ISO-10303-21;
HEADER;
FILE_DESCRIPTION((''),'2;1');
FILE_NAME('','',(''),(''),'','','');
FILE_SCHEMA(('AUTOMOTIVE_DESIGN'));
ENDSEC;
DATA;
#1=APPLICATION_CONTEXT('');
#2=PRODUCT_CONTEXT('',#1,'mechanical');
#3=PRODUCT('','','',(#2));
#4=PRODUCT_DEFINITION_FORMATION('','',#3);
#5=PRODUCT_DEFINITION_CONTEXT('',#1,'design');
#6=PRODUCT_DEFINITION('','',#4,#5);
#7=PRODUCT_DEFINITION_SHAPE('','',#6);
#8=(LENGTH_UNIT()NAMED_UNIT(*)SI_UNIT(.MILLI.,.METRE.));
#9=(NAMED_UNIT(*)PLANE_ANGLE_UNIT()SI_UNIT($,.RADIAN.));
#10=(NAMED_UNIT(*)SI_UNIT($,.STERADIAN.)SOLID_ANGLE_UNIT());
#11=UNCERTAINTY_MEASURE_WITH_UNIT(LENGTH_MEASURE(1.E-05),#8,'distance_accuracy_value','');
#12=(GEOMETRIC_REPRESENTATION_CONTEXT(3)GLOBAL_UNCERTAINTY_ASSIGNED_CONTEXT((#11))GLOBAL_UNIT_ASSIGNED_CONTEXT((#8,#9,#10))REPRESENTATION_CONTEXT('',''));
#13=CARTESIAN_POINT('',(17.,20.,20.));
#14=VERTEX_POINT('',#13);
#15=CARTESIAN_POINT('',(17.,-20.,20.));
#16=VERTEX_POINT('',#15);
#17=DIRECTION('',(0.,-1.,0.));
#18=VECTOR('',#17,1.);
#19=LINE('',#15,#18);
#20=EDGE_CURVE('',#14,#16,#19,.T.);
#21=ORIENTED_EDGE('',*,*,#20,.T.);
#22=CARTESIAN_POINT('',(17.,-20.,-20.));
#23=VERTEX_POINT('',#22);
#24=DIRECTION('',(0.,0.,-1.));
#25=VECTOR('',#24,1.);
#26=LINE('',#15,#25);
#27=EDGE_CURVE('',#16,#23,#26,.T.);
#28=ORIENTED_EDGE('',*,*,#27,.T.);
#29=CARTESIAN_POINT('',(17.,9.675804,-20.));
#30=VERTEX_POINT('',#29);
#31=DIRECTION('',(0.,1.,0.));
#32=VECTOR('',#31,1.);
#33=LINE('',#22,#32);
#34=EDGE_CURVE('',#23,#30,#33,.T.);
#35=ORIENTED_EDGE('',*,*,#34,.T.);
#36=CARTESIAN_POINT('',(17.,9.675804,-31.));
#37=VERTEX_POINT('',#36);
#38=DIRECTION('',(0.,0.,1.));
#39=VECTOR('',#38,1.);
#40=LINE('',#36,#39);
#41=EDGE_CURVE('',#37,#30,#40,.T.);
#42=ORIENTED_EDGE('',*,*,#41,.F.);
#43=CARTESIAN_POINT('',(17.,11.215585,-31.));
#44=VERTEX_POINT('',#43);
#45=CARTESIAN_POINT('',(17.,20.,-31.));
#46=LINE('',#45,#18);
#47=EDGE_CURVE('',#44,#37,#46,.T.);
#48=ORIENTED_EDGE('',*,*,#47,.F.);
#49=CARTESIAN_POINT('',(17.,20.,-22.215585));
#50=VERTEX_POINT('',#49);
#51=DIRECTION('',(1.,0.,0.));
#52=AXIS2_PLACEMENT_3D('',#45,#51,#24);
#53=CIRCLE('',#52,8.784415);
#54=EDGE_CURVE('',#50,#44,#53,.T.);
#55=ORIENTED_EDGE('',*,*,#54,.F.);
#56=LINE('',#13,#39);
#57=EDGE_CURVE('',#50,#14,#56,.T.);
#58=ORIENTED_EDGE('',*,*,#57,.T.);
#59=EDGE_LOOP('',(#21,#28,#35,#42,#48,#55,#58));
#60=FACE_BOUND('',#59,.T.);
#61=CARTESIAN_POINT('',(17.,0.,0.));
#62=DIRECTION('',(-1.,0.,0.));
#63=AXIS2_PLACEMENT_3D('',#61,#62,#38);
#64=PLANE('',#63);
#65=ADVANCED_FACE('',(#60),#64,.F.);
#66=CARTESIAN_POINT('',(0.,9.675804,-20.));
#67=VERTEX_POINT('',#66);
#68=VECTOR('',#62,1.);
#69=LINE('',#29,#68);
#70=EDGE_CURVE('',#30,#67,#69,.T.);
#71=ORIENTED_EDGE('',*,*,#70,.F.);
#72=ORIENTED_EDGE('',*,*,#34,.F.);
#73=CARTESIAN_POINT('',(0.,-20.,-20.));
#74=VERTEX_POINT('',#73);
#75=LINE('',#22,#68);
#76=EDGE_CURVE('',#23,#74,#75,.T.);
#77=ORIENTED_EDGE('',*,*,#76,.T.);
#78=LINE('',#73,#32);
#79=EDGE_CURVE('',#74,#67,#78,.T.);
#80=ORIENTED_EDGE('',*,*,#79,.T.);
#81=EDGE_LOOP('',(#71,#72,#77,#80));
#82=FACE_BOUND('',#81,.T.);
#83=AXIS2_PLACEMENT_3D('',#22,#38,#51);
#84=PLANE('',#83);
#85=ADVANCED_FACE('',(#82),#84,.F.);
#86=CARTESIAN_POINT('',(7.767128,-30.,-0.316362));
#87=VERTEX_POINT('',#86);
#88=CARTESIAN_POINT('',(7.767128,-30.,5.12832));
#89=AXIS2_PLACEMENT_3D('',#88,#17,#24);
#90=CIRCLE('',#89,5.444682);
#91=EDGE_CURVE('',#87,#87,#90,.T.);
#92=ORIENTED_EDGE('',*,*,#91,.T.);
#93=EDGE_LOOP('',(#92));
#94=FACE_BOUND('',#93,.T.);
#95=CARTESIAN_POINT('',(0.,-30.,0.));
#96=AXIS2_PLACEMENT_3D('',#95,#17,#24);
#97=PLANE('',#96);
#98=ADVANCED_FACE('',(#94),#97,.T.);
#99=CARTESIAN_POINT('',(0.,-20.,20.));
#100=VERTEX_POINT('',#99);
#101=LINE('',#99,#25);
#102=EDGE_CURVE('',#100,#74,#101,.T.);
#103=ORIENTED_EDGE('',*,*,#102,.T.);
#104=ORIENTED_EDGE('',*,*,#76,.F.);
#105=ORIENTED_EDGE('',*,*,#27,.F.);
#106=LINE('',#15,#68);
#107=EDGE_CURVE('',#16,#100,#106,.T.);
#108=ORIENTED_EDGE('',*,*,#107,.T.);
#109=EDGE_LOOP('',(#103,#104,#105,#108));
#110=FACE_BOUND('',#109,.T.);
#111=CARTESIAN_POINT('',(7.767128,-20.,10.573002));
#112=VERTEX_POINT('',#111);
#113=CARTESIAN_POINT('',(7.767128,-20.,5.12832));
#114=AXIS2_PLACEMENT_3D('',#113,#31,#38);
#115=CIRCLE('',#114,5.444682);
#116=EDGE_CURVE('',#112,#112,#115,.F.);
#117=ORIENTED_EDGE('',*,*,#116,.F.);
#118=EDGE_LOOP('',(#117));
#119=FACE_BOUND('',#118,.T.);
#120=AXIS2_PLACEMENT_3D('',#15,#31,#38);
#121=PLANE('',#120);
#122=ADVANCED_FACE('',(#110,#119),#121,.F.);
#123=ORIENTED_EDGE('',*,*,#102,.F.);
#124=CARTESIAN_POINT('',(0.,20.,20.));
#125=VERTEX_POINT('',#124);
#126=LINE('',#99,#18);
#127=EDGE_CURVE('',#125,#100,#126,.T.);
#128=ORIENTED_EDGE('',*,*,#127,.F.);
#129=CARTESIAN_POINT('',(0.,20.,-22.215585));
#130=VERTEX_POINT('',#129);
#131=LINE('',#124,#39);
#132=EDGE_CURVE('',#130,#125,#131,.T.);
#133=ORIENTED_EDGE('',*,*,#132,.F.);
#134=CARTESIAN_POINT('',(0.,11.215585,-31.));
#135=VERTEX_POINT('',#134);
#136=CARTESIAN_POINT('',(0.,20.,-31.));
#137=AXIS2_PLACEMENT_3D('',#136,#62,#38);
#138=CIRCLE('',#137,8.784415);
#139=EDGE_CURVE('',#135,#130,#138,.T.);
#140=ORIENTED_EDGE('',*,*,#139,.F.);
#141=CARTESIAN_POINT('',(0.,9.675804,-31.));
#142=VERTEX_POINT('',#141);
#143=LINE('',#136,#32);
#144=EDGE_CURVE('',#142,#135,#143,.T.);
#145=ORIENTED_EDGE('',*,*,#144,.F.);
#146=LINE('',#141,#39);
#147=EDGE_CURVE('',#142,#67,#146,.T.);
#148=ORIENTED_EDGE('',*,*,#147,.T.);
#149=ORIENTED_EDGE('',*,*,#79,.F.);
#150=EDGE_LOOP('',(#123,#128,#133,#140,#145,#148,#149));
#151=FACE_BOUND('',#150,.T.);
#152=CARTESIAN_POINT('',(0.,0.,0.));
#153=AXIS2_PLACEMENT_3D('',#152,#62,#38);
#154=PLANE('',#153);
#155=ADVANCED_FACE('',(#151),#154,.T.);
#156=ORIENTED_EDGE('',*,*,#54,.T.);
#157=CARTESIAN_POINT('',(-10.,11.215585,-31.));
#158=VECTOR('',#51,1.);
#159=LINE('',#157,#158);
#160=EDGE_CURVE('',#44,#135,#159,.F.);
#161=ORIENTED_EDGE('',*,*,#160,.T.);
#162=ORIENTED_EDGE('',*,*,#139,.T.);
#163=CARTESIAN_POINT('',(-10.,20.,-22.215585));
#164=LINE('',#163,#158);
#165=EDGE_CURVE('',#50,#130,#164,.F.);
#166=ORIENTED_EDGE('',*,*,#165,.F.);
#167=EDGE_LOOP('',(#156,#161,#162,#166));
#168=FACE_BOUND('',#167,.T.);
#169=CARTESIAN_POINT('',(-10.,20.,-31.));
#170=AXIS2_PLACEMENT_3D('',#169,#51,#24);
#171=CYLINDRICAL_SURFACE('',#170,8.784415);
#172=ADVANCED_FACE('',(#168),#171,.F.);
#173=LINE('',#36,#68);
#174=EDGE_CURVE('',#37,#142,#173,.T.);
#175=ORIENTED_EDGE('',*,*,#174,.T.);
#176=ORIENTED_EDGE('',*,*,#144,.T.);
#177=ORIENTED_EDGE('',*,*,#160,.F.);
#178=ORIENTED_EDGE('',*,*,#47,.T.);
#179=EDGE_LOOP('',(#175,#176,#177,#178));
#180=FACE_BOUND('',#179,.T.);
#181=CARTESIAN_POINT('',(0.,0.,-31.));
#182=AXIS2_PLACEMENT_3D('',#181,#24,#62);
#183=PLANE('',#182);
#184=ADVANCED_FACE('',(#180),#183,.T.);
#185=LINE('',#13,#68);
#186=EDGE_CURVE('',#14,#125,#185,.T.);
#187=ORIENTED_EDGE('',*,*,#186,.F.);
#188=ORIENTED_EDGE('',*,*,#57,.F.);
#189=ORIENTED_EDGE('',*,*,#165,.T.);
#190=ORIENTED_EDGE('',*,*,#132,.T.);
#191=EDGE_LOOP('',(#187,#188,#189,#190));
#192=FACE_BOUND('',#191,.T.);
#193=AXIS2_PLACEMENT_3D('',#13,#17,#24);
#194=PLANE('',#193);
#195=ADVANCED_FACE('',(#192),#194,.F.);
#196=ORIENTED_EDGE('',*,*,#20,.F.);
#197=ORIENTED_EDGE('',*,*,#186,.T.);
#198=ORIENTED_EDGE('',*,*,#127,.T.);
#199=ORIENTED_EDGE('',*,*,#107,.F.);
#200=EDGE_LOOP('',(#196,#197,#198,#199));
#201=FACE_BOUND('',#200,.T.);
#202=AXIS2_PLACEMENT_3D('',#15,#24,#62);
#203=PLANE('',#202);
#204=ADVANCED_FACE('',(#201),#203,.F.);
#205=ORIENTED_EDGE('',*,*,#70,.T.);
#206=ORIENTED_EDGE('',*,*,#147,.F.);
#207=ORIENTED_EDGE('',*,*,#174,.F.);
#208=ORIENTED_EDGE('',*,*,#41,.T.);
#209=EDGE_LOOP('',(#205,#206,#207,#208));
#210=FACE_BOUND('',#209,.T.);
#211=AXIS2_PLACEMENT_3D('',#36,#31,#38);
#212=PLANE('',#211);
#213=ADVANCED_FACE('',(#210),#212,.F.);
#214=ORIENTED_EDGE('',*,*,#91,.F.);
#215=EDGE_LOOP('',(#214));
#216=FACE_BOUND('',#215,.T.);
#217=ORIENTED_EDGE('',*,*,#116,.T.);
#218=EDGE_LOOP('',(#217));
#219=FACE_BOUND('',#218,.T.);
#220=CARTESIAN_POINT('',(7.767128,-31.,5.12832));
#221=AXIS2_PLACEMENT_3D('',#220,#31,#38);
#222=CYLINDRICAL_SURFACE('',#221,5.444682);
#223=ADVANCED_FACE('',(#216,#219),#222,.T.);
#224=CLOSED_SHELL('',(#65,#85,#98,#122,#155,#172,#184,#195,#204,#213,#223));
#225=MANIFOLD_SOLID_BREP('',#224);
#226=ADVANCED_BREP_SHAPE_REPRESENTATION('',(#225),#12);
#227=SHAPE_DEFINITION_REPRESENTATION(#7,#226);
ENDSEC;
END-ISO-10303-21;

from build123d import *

# Parameters (mm, degrees)
SKETCH_1_W          = 40
SKETCH_1_H          = 40
EXTRUDE_1_DEPTH     = 17
SKETCH_2_W          = 39
SKETCH_2_H          = 39
EXTRUDE_2_DEPTH     = 11
SKETCH_3_W          = 2
SKETCH_3_H          = 39
CUT_EXTRUDE_1_DEPTH = 9
EXTRUDE_3_DEPTH     = 11
SKETCH_5_R          = 5.444681892
EXTRUDE_4_DEPTH     = 11
SKETCH_6_W          = 25
SKETCH_6_H          = 17.382728094
EXTRUDE_5_DEPTH     = 11
SKETCH_7_R          = 4.5
EXTRUDE_6_DEPTH     = 11
EXTRUDE_6_TAPER     = 17
SKETCH_8_W          = 17
SKETCH_8_H          = 10.324195756
EXTRUDE_7_DEPTH     = 11
SKETCH_9_R          = 8.784415214
CUT_EXTRUDE_2_DEPTH = 27
CUT_EXTRUDE_START   = 10
SKETCH_10_W         = 58.477636184
SKETCH_10_H         = 70.793077964
CUT_EXTRUDE_3_DEPTH = 47
SKETCH_11_W         = 62.750592471
SKETCH_11_H         = 80.218393182
CUT_EXTRUDE_4_DEPTH = 22


with BuildPart() as part:
    # Эскиз1 → Бобышка-Вытянуть1 (new body)
    with BuildSketch(Plane(origin=(0, 0, 0), x_dir=(0, 0, -1), z_dir=(1, 0, 0))):
        Rectangle(SKETCH_1_W, SKETCH_1_H)
    extrude(amount=EXTRUDE_1_DEPTH)

    # Эскиз2 → Бобышка-Вытянуть2 (add)
    with BuildSketch(Plane(origin=(17, 0, 0), x_dir=(0, 0, -1), z_dir=(1, 0, 0))):
        Rectangle(SKETCH_2_W, SKETCH_2_H)
    extrude(amount=EXTRUDE_2_DEPTH)

    # Эскиз3 → Вырез-Вытянуть1 (cut)
    with BuildSketch(Plane(origin=(28, 0, 0), x_dir=(0, 0, -1), z_dir=(1, 0, 0))):
        with Locations((-16, 0)):
            Rectangle(SKETCH_3_W, SKETCH_3_H)
        with Locations((-12, 0)):
            Rectangle(SKETCH_3_W, SKETCH_3_H)
        with Locations((-8, 0)):
            Rectangle(SKETCH_3_W, SKETCH_3_H)
        with Locations((-4, 0)):
            Rectangle(SKETCH_3_W, SKETCH_3_H)
        Rectangle(SKETCH_3_W, SKETCH_3_H)
        with Locations((4, 0)):
            Rectangle(SKETCH_3_W, SKETCH_3_H)
        with Locations((8, 0)):
            Rectangle(SKETCH_3_W, SKETCH_3_H)
        with Locations((12, 0)):
            Rectangle(SKETCH_3_W, SKETCH_3_H)
        with Locations((16, 0)):
            Rectangle(SKETCH_3_W, SKETCH_3_H)
    extrude(amount=-CUT_EXTRUDE_1_DEPTH, mode=Mode.SUBTRACT)

    # Эскиз4 → Бобышка-Вытянуть3 (add)
    with BuildSketch(Plane(origin=(28, 0, 0), x_dir=(0, 0, -1), z_dir=(1, 0, 0))):
        with BuildLine():
            Line((13.94108797, 18.534083609), (-13.965803425, 18.534083609))
            ThreePointArc((-13.965803425, 18.534083609), (-17.501337331, 17.069617515), (-18.965803425, 13.534083609))
            Line((-18.965803425, 13.534083609), (-18.965803425, -13.794341936))
            ThreePointArc((-18.965803425, -13.794341936), (-17.501337331, -17.329875842), (-13.965803425, -18.794341936))
            Line((-13.965803425, -18.794341936), (13.94108797, -18.794341936))
            ThreePointArc((13.94108797, -18.794341936), (17.476621876, -17.329875842), (18.94108797, -13.794341936))
            Line((18.94108797, -13.794341936), (18.94108797, 13.534083609))
            ThreePointArc((18.94108797, 13.534083609), (17.476621876, 17.069617515), (13.94108797, 18.534083609))
        make_face()
    extrude(amount=EXTRUDE_3_DEPTH)

    # Эскиз5 → Бобышка-Вытянуть4 (add)
    with BuildSketch(Plane.XZ.offset(20)):
        with Locations(Location((7.767128211, 5.128320155, 0), (0, 0, 90))):
            Circle(SKETCH_5_R)
    extrude(amount=EXTRUDE_4_DEPTH)

    # Эскиз6 → Бобышка-Вытянуть5 (add)
    with BuildSketch(Plane.XZ.offset(31)):
        with Locations((10.668319864, 5.154067921)):
            Rectangle(SKETCH_6_W, SKETCH_6_H)
    extrude(amount=EXTRUDE_5_DEPTH)

    # Эскиз7 → Бобышка-Вытянуть6 (add)
    with BuildSketch(Plane.XZ.offset(42)):
        with Locations((7.710138854, 5.107455984)):
            Circle(SKETCH_7_R)
    extrude(amount=EXTRUDE_6_DEPTH, taper=EXTRUDE_6_TAPER)

    # Эскиз8 → Бобышка-Вытянуть7 (add)
    with BuildSketch(Plane(origin=(0, 0, -20), x_dir=(-1, 0, 0), z_dir=(0, 0, -1))):
        with Locations((-8.5, 14.837902122)):
            Rectangle(SKETCH_8_W, SKETCH_8_H)
    extrude(amount=EXTRUDE_7_DEPTH)

    # Эскиз9 → Вырез-Вытянуть2 (cut)
    with BuildSketch(Plane(origin=(17, 0, 0), x_dir=(0, 0, -1), z_dir=(1, 0, 0))):
        with Locations((31, 20)):
            Circle(SKETCH_9_R)
    extrude(amount=-CUT_EXTRUDE_2_DEPTH, mode=Mode.SUBTRACT)

    # Эскиз10 → Вырез-Вытянуть3 (cut)
    with BuildSketch(Plane.XZ.offset(20).offset(CUT_EXTRUDE_START)):
        with Locations((4.776161953, -4.159448177)):
            Rectangle(SKETCH_10_W, SKETCH_10_H)
    extrude(amount=CUT_EXTRUDE_3_DEPTH, mode=Mode.SUBTRACT)

    # Эскиз11 → Вырез-Вытянуть4 (cut)
    with BuildSketch(Plane(origin=(39, 0, 0), x_dir=(0, 0, -1), z_dir=(1, 0, 0))):
        with Locations((5.568785854, 6.666933577)):
            Rectangle(SKETCH_11_W, SKETCH_11_H)
    extrude(amount=-CUT_EXTRUDE_4_DEPTH, mode=Mode.SUBTRACT)


solid = part.part
